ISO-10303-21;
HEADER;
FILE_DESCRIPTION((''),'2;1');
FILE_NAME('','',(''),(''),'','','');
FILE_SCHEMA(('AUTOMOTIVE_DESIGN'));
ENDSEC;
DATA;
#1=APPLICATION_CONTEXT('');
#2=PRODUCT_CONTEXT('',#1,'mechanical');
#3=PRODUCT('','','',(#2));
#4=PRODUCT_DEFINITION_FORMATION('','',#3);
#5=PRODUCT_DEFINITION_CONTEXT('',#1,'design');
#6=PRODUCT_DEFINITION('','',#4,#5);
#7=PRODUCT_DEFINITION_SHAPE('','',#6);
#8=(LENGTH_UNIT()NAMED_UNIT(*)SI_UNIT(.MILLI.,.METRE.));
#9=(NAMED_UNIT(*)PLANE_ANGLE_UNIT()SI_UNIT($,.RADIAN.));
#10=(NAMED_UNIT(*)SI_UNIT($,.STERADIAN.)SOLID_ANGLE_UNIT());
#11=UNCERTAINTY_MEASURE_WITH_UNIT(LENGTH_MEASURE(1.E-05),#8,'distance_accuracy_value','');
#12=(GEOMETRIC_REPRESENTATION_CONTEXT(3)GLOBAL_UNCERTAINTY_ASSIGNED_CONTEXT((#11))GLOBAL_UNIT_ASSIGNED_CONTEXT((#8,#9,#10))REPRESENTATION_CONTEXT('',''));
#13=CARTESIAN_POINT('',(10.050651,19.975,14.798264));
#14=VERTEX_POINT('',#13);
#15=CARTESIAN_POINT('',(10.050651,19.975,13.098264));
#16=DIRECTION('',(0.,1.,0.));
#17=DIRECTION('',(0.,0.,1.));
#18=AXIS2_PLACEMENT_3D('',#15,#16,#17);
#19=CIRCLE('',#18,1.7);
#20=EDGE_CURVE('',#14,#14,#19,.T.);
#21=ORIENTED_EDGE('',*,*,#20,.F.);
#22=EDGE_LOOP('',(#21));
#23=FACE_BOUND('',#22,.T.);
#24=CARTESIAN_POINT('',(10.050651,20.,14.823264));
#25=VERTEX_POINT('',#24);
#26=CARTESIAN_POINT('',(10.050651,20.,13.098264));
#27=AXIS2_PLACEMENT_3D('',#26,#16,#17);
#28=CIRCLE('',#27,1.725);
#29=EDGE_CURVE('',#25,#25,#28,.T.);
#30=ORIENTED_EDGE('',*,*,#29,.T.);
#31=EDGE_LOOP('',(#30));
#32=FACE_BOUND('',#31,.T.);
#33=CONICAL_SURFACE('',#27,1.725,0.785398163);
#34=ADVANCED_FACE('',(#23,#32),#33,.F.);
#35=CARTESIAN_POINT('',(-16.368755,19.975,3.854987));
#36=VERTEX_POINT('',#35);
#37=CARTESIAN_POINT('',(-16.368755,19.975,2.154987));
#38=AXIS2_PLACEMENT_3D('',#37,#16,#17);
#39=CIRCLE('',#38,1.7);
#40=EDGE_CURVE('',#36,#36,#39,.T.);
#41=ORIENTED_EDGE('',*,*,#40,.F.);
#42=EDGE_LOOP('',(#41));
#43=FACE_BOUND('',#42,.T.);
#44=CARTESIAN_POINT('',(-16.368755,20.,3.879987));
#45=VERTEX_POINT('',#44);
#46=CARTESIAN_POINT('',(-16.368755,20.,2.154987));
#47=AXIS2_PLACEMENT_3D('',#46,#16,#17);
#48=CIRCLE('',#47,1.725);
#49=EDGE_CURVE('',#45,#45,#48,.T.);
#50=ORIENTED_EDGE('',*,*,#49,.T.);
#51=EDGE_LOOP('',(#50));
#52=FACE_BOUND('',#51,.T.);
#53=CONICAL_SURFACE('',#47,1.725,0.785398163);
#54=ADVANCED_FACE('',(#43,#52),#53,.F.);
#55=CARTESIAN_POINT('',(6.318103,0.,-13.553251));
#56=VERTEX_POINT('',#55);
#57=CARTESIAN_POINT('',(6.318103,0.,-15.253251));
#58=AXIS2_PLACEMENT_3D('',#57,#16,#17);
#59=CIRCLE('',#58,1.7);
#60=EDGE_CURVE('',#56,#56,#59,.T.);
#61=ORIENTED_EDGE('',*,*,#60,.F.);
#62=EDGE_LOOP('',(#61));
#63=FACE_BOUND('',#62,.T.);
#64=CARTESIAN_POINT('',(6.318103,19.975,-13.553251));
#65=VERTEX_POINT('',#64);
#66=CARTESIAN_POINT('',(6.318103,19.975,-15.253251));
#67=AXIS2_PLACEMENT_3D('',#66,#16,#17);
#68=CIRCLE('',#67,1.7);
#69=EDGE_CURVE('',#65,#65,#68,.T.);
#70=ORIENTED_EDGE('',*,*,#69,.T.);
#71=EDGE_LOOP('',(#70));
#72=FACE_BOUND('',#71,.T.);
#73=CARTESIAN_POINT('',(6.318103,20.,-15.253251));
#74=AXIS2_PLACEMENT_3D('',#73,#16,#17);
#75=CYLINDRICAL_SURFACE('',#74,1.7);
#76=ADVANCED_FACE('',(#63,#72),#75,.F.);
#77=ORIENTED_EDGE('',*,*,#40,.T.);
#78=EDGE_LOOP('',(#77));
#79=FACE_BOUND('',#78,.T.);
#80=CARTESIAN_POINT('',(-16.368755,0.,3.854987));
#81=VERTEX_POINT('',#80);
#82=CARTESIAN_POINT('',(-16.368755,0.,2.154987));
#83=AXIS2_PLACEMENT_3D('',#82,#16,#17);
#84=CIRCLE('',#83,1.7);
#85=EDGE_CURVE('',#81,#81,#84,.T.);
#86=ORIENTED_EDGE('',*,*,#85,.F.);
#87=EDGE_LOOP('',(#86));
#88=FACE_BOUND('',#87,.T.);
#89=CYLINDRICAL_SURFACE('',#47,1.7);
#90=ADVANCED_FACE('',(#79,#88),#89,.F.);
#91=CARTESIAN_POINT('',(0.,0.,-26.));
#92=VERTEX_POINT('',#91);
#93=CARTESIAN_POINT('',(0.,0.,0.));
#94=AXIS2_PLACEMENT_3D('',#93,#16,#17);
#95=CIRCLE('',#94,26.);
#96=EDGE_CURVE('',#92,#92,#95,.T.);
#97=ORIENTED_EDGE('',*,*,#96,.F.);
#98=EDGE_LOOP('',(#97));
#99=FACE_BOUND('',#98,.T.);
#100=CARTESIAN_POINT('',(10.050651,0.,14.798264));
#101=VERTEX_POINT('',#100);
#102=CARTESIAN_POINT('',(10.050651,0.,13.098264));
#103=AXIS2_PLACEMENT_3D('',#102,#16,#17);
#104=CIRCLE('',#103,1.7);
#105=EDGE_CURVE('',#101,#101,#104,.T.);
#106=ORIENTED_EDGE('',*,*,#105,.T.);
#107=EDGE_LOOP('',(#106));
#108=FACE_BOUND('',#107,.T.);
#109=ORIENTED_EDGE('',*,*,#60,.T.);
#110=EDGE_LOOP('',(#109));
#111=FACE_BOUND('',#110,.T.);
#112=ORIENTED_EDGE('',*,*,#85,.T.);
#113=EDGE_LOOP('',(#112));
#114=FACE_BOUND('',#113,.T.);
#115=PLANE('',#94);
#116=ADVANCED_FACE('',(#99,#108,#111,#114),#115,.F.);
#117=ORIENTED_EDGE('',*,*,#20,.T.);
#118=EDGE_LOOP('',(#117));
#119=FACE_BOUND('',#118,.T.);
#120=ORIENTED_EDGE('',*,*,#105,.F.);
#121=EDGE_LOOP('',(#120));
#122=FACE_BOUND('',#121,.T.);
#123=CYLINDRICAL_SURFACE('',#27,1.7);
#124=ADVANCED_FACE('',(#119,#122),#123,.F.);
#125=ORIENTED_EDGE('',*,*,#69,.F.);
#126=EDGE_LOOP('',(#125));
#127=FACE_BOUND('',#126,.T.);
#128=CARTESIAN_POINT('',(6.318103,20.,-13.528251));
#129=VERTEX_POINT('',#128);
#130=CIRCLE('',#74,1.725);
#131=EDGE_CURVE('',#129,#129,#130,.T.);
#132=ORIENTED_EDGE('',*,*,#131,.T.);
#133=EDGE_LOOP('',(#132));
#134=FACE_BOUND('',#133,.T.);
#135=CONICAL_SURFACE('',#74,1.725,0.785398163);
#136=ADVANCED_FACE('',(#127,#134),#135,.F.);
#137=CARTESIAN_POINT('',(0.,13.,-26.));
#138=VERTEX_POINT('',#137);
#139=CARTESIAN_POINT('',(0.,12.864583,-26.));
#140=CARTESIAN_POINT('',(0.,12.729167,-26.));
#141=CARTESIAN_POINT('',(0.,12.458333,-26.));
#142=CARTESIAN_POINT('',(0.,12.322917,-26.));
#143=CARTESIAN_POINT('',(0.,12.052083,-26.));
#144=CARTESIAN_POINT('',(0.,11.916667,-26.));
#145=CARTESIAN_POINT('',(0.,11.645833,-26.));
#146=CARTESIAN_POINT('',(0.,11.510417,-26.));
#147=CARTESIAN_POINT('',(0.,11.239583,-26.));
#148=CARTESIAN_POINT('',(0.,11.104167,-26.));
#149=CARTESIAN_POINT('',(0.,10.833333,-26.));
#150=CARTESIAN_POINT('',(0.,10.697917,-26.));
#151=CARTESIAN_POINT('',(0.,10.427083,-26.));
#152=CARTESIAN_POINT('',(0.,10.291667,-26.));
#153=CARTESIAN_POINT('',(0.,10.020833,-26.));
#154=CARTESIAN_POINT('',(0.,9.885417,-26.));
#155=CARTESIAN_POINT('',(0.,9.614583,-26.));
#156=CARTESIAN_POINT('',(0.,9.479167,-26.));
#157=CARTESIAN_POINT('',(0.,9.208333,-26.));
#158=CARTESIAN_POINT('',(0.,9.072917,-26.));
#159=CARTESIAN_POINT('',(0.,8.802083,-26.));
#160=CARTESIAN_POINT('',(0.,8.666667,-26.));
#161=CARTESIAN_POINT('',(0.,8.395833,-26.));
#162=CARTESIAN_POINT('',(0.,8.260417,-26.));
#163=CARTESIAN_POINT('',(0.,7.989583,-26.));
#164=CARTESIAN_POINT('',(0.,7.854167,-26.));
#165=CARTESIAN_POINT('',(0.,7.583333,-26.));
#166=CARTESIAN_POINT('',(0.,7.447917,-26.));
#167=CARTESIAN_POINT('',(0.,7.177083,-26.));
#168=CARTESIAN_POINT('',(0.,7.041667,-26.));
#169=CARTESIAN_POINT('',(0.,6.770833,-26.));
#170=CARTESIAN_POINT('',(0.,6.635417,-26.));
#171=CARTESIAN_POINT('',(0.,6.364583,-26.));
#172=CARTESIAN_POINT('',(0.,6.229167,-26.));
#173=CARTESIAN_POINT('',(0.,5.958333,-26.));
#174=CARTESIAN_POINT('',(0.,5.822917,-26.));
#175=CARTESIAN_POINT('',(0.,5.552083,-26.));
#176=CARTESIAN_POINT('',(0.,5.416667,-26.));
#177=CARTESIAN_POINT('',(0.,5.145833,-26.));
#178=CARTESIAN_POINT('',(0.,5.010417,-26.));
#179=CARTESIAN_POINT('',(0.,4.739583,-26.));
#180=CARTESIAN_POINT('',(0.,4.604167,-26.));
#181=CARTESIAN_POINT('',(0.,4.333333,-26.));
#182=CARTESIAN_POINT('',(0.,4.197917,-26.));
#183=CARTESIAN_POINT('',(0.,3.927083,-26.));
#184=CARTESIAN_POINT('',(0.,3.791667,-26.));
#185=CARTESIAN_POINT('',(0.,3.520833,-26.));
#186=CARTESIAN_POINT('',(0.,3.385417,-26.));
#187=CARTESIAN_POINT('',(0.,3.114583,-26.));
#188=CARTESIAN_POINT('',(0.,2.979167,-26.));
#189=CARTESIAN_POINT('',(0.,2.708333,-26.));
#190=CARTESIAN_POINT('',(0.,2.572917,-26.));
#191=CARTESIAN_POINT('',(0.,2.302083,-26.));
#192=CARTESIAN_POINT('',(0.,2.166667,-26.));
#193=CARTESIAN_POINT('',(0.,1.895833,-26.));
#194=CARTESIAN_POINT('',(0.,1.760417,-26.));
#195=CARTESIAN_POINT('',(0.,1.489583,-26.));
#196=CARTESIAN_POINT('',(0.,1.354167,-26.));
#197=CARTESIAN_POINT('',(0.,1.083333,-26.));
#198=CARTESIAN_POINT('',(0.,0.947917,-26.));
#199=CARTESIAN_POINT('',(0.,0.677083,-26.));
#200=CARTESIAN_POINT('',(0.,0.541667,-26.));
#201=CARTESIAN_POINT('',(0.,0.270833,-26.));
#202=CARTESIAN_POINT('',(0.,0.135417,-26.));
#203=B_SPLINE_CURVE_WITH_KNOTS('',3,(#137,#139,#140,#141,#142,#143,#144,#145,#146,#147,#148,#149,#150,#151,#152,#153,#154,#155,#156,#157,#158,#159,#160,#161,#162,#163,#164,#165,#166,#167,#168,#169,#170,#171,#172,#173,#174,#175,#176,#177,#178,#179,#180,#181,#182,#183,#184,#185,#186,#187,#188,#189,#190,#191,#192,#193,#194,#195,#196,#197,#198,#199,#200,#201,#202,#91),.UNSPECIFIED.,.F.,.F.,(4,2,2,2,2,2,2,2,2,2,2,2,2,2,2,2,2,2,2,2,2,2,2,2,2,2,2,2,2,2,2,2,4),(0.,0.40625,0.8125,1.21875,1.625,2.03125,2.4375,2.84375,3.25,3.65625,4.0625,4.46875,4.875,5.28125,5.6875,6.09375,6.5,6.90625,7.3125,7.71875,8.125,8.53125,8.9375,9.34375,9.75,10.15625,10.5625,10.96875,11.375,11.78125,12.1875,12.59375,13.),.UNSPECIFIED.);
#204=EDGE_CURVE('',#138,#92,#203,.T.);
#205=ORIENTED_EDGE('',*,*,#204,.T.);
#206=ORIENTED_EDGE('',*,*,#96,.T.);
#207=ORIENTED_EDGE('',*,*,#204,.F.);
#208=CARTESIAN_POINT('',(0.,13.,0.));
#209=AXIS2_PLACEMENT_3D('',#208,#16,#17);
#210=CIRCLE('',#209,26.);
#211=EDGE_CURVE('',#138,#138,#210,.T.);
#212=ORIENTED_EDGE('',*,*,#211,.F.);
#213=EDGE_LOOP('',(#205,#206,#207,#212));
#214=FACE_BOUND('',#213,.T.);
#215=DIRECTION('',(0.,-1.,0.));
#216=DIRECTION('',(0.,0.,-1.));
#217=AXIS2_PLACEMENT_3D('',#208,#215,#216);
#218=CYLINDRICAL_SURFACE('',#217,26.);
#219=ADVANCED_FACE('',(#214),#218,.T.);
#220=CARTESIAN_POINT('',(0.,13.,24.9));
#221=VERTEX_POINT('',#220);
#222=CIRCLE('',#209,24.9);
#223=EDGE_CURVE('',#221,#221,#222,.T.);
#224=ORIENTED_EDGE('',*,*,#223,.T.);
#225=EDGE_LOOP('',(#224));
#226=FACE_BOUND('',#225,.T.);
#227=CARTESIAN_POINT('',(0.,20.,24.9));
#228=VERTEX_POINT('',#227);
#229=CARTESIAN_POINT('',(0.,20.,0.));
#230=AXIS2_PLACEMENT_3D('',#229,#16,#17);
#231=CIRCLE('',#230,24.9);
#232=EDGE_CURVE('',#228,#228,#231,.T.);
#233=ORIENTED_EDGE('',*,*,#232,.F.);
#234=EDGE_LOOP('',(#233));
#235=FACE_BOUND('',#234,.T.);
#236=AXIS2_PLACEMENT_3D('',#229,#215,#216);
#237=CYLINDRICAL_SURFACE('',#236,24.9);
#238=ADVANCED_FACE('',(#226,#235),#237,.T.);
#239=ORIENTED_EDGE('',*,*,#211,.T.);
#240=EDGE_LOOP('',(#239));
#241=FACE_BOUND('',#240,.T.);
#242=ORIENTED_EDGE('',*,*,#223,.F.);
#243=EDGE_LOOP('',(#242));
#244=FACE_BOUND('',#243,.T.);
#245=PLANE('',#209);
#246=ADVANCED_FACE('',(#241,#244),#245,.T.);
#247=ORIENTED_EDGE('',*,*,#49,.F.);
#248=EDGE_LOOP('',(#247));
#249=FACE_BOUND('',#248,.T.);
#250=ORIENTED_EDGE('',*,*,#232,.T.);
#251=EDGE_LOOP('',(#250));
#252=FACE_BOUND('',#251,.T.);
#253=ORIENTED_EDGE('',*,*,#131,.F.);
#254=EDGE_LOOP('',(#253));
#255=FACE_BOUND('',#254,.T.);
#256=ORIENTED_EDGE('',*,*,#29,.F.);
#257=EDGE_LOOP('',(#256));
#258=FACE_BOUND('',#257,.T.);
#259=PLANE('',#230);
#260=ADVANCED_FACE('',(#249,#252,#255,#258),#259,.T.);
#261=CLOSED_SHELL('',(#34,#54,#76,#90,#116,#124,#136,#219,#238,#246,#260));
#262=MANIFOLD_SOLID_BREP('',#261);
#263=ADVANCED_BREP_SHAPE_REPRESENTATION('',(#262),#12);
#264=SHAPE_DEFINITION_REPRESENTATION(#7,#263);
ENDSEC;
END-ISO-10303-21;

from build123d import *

# Parameters (mm, degrees)
SKETCH5_R                      = 26
BOSS_EXTRUDE3_DEPTH            = 13
SKETCH6_R                      = 24.9
BOSS_EXTRUDE4_DEPTH            = 7
M3_CLEARANCE_HOLE1_D           = 3.4
M3_CLEARANCE_HOLE1_CSINK_D     = 3.45
M3_CLEARANCE_HOLE1_CSINK_ANGLE = 90


with BuildPart() as part:
    # Sketch5 → Boss-Extrude3 (new body)
    with BuildSketch(Plane(origin=(0, 0, 0), x_dir=(-1, 0, 0), z_dir=(0, 1, 0))):
        with Locations(Location((0, 0, 0), (0, 0, 270))):
            Circle(SKETCH5_R)
    extrude(amount=BOSS_EXTRUDE3_DEPTH)

    # Sketch6 → Boss-Extrude4 (add)
    with BuildSketch(Plane(origin=(0, 13, 0), x_dir=(-1, 0, 0), z_dir=(0, 1, 0))):
        with Locations(Location((0, 0, 0), (0, 0, 90))):
            Circle(SKETCH6_R)
    extrude(amount=BOSS_EXTRUDE4_DEPTH)

    # M3 Clearance Hole1 (through all)
    with Locations(Plane(origin=(0, 20, 0), x_dir=(-1, 0, 0), z_dir=(0, 1, 0))):
        with Locations((-6.318103468, -15.253251082), (-10.050651193, 13.098263648), (16.368754661, 2.154987434)):
            CounterSinkHole(M3_CLEARANCE_HOLE1_D / 2, M3_CLEARANCE_HOLE1_CSINK_D / 2, counter_sink_angle=M3_CLEARANCE_HOLE1_CSINK_ANGLE)


solid = part.part
